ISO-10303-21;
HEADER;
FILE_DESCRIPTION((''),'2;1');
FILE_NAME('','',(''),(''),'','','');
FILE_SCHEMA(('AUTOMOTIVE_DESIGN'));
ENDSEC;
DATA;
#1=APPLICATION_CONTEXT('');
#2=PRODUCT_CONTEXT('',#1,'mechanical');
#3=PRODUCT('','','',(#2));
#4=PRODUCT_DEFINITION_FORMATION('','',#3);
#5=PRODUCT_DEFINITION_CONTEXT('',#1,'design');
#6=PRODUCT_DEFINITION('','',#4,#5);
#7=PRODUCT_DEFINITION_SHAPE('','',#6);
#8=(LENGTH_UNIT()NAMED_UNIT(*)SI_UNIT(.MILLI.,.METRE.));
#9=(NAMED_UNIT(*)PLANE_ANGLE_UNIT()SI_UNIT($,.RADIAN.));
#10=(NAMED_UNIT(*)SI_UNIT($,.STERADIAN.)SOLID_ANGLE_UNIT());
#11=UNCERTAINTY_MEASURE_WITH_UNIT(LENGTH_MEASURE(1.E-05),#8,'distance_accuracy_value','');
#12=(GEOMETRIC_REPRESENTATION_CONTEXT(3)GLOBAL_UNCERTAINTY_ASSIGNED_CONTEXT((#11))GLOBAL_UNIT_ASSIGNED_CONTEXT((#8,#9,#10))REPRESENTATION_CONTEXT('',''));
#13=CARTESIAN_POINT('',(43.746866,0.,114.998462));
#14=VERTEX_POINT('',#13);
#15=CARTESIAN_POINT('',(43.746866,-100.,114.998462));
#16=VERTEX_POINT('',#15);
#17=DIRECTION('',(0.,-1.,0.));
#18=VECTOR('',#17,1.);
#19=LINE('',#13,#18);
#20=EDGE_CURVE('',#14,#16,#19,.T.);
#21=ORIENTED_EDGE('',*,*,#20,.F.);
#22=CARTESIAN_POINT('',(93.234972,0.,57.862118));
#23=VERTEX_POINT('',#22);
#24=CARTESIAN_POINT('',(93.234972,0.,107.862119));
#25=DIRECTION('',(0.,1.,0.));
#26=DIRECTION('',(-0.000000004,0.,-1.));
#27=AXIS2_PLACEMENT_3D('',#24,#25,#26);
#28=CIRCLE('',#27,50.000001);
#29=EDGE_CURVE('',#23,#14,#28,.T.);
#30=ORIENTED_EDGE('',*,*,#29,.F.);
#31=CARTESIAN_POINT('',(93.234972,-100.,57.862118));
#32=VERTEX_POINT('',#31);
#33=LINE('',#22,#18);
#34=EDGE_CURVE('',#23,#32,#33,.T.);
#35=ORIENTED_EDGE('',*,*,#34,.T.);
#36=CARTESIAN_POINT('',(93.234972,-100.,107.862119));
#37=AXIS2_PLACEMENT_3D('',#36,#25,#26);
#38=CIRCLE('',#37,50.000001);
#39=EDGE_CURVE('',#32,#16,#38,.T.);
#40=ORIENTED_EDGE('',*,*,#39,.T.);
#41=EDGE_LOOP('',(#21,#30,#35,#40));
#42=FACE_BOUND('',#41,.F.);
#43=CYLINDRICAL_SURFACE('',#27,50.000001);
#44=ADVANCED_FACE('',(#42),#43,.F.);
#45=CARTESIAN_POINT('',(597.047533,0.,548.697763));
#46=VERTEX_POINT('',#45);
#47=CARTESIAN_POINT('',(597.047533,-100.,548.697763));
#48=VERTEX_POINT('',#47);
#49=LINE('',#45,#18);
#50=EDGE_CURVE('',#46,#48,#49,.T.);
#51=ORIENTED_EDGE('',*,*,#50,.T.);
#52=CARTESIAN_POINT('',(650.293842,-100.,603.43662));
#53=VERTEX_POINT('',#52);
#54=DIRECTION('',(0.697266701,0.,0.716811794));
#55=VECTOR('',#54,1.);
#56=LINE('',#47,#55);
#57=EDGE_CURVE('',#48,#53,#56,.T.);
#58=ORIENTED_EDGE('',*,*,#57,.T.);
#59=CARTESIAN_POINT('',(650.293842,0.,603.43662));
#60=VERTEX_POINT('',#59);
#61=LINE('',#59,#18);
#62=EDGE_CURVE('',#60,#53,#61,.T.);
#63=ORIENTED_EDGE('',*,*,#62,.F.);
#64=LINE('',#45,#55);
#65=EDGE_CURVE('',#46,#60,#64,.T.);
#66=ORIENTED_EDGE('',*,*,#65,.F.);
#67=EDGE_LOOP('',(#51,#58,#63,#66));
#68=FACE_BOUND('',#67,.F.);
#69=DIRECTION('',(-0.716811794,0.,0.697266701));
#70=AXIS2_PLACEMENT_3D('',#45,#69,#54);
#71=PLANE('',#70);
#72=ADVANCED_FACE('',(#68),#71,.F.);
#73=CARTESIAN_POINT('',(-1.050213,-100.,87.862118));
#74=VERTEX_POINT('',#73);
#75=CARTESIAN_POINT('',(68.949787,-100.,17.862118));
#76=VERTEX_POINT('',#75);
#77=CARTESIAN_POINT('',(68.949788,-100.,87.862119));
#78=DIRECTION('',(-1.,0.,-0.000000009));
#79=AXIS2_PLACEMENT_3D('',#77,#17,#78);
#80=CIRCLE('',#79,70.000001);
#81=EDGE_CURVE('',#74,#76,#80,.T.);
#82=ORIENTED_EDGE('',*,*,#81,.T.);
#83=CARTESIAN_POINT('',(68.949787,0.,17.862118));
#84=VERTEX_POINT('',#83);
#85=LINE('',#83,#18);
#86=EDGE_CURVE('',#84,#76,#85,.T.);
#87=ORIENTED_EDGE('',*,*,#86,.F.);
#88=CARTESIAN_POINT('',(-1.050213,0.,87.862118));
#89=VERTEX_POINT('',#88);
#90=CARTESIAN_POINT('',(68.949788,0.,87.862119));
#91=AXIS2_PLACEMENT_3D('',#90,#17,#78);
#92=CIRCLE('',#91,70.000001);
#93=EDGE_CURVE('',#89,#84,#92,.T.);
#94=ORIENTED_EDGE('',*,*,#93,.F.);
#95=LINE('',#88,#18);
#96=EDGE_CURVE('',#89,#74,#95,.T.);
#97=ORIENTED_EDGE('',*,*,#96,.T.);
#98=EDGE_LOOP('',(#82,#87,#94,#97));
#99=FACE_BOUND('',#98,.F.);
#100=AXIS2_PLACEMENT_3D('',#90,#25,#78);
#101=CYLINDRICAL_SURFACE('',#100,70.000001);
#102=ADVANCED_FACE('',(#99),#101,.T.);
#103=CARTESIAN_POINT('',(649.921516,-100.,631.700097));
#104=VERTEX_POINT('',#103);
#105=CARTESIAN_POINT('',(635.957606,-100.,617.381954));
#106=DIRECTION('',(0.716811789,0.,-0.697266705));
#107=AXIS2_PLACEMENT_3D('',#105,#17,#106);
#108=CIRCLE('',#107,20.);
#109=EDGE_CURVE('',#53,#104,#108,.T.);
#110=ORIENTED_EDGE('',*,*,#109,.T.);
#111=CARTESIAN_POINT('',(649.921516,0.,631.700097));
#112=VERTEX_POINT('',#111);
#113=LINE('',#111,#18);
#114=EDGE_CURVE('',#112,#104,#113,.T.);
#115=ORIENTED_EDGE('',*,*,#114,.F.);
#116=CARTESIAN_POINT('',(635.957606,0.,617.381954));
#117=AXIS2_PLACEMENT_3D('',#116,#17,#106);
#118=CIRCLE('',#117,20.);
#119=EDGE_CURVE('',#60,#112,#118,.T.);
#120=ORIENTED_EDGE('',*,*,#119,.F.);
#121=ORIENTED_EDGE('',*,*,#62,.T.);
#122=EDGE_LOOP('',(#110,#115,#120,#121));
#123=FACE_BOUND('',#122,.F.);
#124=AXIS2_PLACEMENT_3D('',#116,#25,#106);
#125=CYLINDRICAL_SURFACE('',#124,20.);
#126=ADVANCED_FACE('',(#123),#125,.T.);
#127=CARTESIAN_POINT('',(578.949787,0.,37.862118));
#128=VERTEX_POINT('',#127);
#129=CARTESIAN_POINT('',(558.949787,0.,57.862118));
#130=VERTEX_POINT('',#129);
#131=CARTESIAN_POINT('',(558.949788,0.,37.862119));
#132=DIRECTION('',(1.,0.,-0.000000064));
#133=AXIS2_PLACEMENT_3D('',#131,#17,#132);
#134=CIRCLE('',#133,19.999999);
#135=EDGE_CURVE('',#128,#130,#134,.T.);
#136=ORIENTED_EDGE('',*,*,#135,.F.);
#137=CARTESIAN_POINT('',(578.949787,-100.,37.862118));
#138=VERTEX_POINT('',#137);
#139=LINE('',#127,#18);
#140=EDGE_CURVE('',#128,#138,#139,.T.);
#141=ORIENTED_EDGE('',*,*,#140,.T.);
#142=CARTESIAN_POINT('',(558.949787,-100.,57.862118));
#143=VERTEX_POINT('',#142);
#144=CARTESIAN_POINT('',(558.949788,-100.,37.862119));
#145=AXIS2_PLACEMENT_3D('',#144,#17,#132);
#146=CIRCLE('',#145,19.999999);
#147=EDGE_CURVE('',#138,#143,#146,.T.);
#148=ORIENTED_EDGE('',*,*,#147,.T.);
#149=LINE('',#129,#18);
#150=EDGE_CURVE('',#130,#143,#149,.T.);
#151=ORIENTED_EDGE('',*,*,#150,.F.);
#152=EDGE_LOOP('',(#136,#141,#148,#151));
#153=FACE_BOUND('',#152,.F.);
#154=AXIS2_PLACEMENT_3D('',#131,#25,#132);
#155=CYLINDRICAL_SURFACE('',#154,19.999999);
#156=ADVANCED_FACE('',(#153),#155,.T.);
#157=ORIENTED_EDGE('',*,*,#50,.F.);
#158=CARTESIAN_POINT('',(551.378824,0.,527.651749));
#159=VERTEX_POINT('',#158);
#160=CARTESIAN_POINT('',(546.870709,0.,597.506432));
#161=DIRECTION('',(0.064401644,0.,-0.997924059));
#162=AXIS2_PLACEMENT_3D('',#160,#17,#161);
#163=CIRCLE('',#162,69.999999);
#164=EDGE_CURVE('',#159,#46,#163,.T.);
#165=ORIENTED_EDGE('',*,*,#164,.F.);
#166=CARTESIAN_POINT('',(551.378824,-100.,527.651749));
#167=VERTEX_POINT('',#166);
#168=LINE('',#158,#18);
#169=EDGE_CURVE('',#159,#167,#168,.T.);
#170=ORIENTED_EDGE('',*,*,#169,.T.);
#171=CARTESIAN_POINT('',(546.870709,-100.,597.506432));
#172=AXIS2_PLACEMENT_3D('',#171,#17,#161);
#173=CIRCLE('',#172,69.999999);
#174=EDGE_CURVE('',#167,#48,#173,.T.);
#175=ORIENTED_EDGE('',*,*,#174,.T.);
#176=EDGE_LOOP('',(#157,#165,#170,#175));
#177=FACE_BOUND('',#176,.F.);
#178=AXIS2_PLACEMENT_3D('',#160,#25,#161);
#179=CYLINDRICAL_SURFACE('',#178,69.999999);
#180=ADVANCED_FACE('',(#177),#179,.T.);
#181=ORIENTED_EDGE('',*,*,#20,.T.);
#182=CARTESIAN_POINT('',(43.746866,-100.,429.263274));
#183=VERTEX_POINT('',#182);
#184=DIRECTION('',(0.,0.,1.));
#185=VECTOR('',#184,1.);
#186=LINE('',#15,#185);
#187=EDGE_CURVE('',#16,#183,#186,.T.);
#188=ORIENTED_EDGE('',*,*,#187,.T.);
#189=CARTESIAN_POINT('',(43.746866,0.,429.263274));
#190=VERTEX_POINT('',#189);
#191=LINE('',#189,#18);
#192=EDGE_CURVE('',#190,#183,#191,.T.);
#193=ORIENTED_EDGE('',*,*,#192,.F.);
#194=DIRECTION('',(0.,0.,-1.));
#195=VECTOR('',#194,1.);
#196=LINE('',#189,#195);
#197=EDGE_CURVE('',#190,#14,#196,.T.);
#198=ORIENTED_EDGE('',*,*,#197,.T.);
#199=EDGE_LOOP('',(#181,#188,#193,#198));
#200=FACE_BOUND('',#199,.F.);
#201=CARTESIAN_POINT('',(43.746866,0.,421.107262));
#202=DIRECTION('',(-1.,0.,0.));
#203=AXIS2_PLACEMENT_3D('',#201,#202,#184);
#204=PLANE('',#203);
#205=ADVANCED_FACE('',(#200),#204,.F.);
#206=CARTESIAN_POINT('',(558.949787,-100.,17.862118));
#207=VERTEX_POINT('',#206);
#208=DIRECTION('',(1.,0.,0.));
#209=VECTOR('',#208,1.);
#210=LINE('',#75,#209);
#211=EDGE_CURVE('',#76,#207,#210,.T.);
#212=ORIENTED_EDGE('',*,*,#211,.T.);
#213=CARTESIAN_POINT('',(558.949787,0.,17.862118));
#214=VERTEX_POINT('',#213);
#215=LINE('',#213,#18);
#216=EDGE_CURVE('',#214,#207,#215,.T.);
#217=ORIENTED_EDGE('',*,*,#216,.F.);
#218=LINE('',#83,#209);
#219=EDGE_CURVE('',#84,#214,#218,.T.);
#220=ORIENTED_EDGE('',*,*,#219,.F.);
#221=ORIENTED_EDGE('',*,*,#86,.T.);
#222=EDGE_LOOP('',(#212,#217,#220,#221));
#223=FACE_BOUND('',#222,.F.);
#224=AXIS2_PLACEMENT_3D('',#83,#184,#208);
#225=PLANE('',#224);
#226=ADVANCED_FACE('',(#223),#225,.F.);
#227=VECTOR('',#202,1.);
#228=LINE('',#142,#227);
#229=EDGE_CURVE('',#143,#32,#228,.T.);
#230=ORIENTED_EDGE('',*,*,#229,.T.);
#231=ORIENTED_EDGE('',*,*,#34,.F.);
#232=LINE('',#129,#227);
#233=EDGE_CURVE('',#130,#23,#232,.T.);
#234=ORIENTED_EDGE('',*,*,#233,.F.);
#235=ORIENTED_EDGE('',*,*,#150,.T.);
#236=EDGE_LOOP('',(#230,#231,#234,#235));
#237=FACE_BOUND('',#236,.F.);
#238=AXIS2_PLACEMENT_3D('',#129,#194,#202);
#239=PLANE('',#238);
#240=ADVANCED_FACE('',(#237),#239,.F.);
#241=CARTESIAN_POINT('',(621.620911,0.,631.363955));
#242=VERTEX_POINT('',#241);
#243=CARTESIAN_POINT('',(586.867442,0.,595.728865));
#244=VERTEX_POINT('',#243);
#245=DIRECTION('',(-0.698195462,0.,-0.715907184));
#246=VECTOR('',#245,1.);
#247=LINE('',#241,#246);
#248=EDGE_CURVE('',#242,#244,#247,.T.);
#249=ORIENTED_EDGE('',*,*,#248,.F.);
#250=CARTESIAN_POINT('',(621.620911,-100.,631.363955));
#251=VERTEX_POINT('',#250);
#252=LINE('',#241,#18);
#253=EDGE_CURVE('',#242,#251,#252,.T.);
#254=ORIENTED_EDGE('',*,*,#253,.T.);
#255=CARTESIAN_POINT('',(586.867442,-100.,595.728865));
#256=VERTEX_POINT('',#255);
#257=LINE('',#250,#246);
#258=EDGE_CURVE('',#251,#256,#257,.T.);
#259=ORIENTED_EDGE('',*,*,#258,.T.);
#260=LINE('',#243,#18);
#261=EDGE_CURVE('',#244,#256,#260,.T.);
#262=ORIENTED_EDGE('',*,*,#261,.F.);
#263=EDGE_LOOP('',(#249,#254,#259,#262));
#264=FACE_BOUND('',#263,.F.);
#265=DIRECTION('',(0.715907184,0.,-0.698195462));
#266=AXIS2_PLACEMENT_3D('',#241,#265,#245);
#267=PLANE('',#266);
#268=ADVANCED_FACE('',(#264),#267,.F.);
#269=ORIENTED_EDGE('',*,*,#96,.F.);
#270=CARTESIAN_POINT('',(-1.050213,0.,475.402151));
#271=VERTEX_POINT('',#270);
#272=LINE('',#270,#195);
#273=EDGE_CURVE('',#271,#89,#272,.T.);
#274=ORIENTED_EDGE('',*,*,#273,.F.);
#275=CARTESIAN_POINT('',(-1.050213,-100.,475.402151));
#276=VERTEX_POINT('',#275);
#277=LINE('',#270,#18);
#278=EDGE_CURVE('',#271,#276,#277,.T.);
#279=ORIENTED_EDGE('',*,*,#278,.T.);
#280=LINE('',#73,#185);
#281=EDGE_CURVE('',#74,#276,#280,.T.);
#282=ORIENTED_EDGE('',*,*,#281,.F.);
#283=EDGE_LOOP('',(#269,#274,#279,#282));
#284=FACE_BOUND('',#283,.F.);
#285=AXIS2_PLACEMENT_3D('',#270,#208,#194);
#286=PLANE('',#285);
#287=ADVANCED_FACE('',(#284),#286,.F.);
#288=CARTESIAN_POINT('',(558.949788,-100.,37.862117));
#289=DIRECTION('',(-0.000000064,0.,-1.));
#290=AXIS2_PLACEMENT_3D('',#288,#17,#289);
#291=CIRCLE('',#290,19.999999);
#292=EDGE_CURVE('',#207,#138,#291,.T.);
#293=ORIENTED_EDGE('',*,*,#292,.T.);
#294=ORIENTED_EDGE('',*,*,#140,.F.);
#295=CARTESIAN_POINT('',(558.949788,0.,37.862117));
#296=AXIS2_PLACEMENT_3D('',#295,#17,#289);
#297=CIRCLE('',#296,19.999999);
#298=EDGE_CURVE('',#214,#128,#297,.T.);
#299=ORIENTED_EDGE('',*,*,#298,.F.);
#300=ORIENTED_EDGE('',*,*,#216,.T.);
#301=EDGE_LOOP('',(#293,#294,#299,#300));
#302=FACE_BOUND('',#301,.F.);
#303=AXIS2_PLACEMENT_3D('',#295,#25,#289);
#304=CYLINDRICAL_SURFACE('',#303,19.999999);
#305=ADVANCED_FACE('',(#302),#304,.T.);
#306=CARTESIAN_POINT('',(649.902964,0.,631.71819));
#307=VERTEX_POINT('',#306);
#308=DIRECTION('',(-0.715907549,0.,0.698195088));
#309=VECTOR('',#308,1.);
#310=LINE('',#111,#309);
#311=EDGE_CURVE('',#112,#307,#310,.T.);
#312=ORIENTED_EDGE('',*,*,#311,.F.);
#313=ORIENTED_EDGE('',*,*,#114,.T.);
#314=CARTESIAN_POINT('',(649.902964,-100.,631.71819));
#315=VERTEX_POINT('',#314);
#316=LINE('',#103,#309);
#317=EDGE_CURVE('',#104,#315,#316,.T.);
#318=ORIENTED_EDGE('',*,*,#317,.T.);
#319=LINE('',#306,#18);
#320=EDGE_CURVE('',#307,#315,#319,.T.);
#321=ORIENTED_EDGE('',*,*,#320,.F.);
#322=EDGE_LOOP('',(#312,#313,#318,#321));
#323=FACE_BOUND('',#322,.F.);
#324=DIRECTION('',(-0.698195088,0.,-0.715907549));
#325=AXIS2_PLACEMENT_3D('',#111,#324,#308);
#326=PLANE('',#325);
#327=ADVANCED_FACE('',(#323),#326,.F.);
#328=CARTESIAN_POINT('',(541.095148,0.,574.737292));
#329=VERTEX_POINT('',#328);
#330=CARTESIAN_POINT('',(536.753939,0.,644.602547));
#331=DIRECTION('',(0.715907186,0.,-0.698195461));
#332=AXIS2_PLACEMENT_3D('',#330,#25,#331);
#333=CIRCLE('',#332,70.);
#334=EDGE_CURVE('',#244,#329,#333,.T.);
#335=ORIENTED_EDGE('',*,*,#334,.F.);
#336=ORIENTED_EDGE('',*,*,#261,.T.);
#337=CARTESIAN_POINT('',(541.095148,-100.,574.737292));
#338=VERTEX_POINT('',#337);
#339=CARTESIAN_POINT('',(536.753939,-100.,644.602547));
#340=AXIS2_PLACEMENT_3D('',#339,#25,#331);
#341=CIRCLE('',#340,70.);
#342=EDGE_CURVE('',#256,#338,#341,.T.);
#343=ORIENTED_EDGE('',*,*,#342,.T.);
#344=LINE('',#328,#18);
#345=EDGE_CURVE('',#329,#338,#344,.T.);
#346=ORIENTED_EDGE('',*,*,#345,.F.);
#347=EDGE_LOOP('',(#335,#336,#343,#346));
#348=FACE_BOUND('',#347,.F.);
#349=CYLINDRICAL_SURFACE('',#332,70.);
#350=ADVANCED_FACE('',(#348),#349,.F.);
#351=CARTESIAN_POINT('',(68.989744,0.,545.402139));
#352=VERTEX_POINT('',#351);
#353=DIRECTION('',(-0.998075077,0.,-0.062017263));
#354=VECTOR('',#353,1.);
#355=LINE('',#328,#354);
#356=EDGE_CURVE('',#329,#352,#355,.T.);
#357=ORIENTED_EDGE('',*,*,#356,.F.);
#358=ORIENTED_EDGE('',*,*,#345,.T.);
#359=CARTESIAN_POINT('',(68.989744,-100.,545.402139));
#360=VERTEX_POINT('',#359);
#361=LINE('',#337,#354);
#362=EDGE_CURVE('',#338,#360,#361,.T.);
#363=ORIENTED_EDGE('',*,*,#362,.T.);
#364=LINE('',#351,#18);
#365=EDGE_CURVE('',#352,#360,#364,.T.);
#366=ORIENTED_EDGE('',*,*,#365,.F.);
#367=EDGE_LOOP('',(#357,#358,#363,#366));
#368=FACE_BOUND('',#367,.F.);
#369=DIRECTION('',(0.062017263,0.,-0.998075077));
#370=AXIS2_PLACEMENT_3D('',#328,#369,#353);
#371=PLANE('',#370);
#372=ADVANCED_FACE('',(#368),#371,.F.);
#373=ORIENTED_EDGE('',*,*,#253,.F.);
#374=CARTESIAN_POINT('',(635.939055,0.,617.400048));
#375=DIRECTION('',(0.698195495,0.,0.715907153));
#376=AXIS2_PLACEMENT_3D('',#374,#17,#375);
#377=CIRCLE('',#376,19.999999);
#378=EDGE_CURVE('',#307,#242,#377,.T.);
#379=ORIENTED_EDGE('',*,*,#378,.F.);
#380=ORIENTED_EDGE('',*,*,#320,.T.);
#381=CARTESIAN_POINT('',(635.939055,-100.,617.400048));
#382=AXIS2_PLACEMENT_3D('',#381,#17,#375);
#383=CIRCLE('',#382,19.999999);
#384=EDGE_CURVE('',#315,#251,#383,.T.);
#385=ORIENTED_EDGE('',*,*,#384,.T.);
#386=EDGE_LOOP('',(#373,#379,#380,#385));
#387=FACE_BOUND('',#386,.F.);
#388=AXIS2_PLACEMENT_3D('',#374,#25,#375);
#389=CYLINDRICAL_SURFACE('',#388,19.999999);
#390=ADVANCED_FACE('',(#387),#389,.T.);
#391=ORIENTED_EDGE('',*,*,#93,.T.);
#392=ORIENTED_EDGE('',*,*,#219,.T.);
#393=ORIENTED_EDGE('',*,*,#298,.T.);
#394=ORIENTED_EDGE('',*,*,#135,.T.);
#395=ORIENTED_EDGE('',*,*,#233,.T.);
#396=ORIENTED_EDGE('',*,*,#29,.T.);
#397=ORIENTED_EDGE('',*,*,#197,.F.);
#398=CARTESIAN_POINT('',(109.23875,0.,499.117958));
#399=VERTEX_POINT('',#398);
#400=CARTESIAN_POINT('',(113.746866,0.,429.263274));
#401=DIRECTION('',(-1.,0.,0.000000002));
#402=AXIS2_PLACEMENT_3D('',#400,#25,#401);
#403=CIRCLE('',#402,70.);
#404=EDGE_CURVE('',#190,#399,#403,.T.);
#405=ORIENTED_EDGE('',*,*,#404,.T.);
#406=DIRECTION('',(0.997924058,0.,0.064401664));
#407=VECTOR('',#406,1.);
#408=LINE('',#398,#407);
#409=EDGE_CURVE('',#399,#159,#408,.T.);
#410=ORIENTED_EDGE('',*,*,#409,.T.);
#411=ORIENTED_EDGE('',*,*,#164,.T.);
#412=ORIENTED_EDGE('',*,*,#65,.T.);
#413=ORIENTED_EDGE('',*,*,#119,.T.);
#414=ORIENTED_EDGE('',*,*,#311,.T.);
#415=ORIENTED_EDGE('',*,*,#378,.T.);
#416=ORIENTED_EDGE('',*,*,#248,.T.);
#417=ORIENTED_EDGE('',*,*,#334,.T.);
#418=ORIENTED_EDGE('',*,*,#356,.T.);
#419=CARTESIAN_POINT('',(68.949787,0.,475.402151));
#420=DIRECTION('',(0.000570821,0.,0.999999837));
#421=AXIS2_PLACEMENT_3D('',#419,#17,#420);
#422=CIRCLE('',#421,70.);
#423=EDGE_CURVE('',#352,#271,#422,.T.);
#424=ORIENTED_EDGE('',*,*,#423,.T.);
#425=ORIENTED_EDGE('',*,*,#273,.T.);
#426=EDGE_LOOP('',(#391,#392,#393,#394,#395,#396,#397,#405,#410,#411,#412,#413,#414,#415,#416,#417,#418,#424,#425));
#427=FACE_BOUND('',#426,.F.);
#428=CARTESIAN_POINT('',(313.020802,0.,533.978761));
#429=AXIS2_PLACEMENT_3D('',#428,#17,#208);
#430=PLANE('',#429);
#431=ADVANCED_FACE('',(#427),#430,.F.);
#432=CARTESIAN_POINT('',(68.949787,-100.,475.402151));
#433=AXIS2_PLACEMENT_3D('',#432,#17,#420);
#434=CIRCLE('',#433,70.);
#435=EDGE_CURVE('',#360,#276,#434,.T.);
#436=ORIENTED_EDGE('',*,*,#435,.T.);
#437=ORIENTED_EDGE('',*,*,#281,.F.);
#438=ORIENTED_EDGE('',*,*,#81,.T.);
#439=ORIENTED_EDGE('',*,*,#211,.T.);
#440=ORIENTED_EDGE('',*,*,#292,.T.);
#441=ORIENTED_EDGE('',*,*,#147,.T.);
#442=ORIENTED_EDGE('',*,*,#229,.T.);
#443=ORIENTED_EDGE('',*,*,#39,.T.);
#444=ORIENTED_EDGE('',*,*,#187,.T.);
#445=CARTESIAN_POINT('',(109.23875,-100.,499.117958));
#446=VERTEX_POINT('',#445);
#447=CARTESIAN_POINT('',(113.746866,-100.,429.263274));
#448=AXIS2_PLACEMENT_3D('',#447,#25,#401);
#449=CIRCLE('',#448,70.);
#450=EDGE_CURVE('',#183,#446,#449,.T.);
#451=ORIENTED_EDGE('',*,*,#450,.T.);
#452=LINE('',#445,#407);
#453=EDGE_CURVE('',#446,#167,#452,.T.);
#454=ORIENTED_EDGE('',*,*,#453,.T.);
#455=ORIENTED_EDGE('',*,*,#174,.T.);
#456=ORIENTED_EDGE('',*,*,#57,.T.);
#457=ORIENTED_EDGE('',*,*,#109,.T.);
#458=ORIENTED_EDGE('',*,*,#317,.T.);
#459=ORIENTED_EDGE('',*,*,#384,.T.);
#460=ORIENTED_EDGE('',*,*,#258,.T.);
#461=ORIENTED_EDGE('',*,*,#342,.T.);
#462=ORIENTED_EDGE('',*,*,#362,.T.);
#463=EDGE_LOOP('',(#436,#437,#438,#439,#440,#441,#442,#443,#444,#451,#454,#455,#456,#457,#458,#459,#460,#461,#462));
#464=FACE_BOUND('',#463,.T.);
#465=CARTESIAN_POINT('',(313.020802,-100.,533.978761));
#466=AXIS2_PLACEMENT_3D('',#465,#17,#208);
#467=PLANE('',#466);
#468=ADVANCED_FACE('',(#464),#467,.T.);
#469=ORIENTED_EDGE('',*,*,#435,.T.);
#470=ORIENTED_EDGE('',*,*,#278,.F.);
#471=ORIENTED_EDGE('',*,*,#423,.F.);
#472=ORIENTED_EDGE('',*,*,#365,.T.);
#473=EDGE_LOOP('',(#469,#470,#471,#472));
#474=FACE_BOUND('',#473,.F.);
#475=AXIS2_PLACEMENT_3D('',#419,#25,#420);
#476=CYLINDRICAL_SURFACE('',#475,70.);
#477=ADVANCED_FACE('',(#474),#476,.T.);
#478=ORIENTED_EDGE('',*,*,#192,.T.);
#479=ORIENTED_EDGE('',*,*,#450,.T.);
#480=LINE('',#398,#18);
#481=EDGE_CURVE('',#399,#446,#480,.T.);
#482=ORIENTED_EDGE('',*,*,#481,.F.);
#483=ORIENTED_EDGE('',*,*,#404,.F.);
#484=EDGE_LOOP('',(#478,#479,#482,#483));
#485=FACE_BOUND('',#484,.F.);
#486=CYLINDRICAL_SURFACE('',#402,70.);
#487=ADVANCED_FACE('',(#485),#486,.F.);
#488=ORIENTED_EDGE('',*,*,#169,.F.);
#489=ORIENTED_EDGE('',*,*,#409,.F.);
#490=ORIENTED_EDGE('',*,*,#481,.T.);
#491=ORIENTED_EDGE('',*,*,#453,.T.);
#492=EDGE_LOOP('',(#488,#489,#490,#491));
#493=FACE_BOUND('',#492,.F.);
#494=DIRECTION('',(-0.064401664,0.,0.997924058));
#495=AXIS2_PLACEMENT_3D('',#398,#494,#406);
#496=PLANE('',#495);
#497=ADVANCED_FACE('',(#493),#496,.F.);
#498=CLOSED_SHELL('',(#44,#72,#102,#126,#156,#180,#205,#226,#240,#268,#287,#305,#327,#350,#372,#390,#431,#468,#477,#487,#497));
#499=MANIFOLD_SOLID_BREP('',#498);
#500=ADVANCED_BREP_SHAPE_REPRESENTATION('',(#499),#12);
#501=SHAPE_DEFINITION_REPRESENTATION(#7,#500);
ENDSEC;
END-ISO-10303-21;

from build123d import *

# Parameters (mm, degrees)
F1_DEPTH = 100
F2_DEPTH = 100


with BuildPart() as f1:
    # F0 (on Front) → F1 (new body)
    with BuildSketch(Plane.XZ):
        Polygon((-1.050213, 421.107262), (-1.050213, 127.018228), (43.746866, 127.018228), (43.746866, 401.559775), (43.746866, 421.107262), align=None)
        with BuildLine():
            Line((68.949787, 17.862118), (558.949787, 17.862118))
            ThreePointArc((558.949787, 17.862118), (573.091923, 23.719982), (578.949787, 37.862118))
            ThreePointArc((578.949787, 37.862118), (573.091923, 52.004254), (558.949787, 57.862118))
            Line((558.949787, 57.862118), (93.234972, 57.862118))
            ThreePointArc((93.234972, 57.862118), (55.440679, 75.126947), (43.746866, 114.998462))
            Line((43.746866, 114.998462), (43.746866, 127.018228))
            Line((43.746866, 127.018228), (-1.050213, 127.018228))
            Line((-1.050213, 127.018228), (-1.050213, 87.862118))
            ThreePointArc((-1.050213, 87.862118), (19.452313, 38.364643), (68.949787, 17.862118))
        make_face()
    extrude(amount=F1_DEPTH)

    # F0 (on Front) → F2 (join)
    with BuildSketch(Plane.XZ):
        with BuildLine():
            Line((-1.050213, 475.402151), (-1.050213, 421.107262))
            Line((-1.050213, 421.107262), (43.746866, 421.107262))
            Line((43.746866, 421.107262), (43.746866, 429.263274))
            ThreePointArc((43.746866, 429.263274), (62.680399, 477.140366), (109.23875, 499.117958))
            Line((109.23875, 499.117958), (551.378824, 527.651749))
            ThreePointArc((551.378824, 527.651749), (576.168223, 533.932416), (597.047533, 548.697763))
            Line((597.047533, 548.697763), (650.293842, 603.43662))
            ThreePointArc((650.293842, 603.43662), (655.955871, 617.645399), (649.921516, 631.700097))
            Line((649.921516, 631.700097), (649.902964, 631.71819))
            ThreePointArc((649.902964, 631.71819), (635.688573, 637.398478), (621.620911, 631.363955))
            Line((621.620911, 631.363955), (586.867442, 595.728865))
            ThreePointArc((586.867442, 595.728865), (565.934248, 580.974648), (541.095148, 574.737292))
            Line((541.095148, 574.737292), (68.989744, 545.402139))
            ThreePointArc((68.989744, 545.402139), (19.466441, 524.91375), (-1.050213, 475.402151))
        make_face()
    extrude(amount=F2_DEPTH)


solid = f1.part
